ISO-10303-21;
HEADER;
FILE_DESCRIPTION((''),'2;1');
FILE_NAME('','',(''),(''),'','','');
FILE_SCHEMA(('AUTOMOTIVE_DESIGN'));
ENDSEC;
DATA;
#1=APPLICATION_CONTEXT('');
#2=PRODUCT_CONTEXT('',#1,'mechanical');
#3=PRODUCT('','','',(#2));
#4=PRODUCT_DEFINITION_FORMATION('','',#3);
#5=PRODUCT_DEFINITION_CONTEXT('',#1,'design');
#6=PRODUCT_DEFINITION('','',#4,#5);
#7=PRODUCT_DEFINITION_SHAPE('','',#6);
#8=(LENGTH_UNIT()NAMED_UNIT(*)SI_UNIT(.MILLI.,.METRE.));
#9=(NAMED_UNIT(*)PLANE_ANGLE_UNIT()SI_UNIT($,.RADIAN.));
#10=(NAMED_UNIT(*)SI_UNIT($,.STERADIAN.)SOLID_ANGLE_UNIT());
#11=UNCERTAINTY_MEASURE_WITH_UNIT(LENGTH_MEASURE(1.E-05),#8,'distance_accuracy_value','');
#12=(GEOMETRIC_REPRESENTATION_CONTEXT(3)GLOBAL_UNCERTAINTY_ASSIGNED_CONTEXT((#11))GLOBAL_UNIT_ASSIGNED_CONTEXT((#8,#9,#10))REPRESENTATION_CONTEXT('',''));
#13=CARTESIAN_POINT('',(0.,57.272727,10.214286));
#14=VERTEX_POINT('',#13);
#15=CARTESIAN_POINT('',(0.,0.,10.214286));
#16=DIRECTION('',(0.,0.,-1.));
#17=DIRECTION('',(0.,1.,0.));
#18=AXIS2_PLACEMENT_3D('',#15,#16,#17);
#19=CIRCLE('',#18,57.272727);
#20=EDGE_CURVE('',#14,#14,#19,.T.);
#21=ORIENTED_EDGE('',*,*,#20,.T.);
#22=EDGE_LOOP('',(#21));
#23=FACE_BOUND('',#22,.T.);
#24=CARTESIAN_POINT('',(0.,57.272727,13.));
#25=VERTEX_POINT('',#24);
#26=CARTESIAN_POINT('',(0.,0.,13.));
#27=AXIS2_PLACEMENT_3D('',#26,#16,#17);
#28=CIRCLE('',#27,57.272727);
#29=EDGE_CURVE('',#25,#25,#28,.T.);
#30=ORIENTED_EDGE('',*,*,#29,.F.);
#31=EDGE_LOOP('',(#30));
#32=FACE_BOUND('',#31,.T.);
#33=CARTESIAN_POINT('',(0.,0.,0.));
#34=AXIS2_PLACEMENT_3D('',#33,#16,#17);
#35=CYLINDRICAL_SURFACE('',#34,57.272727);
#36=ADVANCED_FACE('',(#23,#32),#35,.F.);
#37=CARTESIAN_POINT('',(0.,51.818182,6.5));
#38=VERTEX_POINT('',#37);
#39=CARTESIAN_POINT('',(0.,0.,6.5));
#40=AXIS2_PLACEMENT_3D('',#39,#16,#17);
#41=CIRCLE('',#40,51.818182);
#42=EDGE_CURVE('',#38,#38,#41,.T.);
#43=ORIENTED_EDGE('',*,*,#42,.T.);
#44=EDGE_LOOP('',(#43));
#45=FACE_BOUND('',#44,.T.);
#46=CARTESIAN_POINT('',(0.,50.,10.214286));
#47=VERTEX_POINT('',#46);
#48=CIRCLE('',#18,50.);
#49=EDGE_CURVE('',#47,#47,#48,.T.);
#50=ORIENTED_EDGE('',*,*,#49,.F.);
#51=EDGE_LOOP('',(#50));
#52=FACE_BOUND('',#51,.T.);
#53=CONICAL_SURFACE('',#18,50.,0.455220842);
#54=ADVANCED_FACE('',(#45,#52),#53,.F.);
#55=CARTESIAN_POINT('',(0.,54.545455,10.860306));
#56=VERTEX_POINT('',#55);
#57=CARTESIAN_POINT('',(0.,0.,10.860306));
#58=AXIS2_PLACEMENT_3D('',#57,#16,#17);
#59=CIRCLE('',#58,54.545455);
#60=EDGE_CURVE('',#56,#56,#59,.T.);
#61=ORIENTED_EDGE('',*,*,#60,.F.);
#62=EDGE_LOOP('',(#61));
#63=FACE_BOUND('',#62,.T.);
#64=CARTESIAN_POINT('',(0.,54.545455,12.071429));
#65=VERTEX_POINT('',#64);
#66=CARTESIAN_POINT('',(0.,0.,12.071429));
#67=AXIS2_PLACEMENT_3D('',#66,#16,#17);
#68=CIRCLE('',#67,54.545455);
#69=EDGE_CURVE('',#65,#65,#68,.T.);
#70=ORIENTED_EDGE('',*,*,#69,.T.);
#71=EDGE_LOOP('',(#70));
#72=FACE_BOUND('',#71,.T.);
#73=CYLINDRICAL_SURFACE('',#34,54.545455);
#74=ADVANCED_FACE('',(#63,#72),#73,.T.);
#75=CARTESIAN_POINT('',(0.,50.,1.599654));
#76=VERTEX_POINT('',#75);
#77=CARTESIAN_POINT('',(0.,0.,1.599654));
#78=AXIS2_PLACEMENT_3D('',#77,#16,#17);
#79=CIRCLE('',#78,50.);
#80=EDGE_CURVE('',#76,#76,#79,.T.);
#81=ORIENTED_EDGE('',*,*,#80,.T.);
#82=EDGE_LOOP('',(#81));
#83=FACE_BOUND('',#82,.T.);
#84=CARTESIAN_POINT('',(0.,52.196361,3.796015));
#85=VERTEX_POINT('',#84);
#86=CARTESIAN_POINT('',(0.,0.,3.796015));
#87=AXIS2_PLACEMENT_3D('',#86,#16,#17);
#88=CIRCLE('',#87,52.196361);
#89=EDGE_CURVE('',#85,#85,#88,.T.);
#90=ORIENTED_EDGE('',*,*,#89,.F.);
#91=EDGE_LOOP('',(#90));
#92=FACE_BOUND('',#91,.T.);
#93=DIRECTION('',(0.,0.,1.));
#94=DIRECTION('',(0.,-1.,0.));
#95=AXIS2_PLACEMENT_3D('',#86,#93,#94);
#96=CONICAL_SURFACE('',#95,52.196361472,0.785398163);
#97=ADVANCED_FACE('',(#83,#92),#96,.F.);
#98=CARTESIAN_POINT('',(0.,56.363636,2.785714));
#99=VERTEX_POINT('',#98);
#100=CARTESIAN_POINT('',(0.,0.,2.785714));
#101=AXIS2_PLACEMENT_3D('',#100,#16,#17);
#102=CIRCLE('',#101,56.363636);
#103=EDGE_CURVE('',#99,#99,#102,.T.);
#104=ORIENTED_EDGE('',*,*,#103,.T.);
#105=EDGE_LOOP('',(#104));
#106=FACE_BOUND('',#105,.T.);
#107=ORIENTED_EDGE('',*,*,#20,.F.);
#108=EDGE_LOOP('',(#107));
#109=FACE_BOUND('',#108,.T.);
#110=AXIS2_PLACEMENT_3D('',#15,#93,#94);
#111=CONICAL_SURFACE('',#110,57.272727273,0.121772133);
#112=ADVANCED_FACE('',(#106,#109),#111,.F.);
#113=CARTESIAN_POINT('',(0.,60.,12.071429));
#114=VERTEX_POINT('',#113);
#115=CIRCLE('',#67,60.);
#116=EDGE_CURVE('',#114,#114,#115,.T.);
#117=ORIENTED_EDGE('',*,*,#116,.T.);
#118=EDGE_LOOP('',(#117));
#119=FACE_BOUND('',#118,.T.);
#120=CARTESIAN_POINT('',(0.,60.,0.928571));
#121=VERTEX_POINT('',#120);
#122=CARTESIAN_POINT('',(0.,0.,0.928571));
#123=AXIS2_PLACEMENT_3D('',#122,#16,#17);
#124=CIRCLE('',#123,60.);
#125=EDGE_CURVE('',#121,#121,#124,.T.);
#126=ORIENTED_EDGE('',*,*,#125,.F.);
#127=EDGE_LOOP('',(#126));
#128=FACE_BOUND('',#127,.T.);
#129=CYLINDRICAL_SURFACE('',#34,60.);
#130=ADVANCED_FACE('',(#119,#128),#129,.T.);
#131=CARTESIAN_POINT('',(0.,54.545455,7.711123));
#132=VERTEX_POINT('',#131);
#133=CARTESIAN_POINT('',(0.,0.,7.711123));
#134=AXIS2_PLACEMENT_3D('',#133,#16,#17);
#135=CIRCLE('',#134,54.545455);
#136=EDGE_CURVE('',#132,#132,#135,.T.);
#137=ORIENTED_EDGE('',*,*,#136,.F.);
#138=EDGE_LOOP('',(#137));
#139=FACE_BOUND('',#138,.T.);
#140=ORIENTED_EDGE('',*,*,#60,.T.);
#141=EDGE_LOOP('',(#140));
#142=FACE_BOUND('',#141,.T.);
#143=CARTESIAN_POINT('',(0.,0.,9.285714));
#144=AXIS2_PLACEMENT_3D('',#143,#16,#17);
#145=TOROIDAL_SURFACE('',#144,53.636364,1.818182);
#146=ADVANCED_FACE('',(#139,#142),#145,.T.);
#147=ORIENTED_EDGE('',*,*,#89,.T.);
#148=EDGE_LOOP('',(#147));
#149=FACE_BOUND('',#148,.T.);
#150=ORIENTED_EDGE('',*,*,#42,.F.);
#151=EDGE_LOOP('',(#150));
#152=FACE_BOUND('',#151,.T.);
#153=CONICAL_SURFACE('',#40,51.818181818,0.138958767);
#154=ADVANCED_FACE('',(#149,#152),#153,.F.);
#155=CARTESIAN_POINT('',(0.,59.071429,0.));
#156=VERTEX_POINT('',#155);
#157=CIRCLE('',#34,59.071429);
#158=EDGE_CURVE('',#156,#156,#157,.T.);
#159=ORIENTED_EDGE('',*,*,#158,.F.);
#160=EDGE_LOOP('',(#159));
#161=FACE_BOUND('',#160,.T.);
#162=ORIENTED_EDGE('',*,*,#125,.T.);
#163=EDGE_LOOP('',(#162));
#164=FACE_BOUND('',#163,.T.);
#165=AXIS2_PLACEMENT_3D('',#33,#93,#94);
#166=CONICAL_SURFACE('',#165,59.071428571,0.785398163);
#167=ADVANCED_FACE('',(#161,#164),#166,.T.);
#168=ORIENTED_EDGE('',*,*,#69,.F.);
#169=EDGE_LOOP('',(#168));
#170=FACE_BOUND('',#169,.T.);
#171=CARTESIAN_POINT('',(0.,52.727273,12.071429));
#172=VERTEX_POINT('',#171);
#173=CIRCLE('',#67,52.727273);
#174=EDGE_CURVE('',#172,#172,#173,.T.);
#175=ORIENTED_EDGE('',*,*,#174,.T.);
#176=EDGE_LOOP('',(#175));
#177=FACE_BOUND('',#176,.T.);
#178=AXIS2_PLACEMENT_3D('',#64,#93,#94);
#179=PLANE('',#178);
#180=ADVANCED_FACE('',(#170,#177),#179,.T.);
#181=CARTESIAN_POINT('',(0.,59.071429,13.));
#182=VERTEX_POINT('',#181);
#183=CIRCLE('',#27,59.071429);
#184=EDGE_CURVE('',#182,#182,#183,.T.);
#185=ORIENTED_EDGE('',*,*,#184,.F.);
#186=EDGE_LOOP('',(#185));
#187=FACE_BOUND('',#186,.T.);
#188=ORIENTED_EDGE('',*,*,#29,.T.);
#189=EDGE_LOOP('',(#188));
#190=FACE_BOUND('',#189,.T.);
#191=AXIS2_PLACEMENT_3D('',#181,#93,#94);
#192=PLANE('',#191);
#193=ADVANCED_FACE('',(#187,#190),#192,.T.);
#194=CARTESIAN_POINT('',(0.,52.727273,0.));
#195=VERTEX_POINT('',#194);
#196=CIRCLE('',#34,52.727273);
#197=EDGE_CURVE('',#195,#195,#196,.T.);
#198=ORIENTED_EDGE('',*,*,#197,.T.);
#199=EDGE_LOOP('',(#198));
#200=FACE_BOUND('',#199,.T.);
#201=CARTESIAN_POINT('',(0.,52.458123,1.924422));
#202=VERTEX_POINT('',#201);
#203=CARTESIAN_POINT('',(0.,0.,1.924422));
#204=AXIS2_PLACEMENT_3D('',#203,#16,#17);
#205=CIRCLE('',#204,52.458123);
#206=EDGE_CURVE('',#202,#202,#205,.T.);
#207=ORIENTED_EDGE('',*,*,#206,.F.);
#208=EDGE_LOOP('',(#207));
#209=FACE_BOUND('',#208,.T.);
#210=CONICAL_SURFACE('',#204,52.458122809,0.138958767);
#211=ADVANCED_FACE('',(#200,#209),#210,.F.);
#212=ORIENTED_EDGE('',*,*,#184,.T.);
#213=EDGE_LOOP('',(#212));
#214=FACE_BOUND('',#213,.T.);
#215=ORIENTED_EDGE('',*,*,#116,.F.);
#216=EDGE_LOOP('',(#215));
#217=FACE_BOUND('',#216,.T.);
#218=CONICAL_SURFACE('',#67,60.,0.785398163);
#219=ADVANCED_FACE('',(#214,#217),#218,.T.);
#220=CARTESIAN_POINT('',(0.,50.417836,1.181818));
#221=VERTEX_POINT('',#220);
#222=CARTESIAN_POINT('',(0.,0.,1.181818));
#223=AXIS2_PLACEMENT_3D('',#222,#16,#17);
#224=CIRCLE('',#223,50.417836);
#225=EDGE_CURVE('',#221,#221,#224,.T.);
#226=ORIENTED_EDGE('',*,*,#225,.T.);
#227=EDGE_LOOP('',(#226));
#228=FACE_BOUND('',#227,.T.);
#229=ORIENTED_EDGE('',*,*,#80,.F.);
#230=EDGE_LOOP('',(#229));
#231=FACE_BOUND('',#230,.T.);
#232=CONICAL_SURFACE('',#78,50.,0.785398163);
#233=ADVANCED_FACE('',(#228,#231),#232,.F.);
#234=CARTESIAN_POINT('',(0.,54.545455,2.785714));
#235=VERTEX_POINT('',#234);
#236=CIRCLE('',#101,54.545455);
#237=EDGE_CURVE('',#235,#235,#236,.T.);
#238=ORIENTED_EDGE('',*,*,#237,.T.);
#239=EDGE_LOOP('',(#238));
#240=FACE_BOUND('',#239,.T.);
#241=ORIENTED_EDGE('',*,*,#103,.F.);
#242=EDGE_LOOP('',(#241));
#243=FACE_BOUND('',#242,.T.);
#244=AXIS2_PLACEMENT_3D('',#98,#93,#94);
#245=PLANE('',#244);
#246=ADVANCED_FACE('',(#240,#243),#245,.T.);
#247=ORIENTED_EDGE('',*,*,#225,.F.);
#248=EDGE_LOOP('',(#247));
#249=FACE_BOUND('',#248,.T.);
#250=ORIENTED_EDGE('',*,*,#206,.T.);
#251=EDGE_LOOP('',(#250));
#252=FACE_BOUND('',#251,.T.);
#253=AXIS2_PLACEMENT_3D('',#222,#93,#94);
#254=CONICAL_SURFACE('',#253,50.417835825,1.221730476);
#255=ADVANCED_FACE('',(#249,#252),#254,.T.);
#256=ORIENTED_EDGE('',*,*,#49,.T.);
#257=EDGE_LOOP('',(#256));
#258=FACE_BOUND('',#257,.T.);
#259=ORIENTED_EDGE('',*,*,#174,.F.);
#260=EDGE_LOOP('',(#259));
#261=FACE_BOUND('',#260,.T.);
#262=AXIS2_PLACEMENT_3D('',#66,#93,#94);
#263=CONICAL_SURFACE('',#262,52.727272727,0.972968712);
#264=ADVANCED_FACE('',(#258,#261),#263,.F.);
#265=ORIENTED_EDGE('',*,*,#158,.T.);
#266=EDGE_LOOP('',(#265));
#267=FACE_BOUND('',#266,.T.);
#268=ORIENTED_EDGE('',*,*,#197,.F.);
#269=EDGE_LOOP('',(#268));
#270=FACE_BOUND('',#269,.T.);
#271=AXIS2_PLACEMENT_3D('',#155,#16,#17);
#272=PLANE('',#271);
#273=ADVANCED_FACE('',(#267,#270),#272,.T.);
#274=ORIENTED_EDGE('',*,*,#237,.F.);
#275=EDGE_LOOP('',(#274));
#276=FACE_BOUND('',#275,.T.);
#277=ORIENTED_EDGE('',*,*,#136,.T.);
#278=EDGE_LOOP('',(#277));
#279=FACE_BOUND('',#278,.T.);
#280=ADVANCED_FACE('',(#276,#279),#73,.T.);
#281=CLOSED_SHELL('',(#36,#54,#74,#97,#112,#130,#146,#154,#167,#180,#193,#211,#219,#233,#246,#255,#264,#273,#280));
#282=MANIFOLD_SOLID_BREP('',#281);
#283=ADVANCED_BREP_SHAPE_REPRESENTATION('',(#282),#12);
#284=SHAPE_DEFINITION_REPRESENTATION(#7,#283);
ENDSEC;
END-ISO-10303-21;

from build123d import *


with BuildPart() as part:
    # 스케치1 → 회전1 (revolve)
    with BuildSketch(Plane(origin=(0, 0, 0), x_dir=(0, 0, -1), z_dir=(1, 0, 0))):
        with BuildLine():
            Line((-10.214285714, 57.272727273), (-2.785714286, 56.363636364))
            Line((-2.785714286, 56.363636364), (-2.785714286, 54.545454545))
            Line((-2.785714286, 54.545454545), (-7.711122642, 54.545454545))
            ThreePointArc((-7.711122642, 54.545454545), (-9.285714286, 55.454545455), (-10.860305929, 54.545454545))
            Line((-10.860305929, 54.545454545), (-12.071428571, 54.545454545))
            Line((-12.071428571, 54.545454545), (-12.071428571, 52.727272727))
            Line((-12.071428571, 52.727272727), (-10.214285714, 50))
            Line((-10.214285714, 50), (-6.5, 51.818181818))
            Line((-6.5, 51.818181818), (-3.796015479, 52.196361472))
            Line((-3.796015479, 52.196361472), (-1.599654007, 50))
            Line((-1.599654007, 50), (-1.181818182, 50.417835825))
            Line((-1.181818182, 50.417835825), (-1.924421913, 52.458122809))
            Line((-1.924421913, 52.458122809), (0, 52.727272727))
            Line((0, 52.727272727), (0, 59.071428571))
            Line((0, 59.071428571), (-0.928571429, 60))
            Line((-0.928571429, 60), (-12.071428571, 60))
            Line((-12.071428571, 60), (-13, 59.071428571))
            Line((-13, 59.071428571), (-13, 57.272727273))
            Line((-13, 57.272727273), (-10.214285714, 57.272727273))
        make_face()
    revolve(axis=Axis((0, 0, 0), (0, 0, 1)))


solid = part.part
